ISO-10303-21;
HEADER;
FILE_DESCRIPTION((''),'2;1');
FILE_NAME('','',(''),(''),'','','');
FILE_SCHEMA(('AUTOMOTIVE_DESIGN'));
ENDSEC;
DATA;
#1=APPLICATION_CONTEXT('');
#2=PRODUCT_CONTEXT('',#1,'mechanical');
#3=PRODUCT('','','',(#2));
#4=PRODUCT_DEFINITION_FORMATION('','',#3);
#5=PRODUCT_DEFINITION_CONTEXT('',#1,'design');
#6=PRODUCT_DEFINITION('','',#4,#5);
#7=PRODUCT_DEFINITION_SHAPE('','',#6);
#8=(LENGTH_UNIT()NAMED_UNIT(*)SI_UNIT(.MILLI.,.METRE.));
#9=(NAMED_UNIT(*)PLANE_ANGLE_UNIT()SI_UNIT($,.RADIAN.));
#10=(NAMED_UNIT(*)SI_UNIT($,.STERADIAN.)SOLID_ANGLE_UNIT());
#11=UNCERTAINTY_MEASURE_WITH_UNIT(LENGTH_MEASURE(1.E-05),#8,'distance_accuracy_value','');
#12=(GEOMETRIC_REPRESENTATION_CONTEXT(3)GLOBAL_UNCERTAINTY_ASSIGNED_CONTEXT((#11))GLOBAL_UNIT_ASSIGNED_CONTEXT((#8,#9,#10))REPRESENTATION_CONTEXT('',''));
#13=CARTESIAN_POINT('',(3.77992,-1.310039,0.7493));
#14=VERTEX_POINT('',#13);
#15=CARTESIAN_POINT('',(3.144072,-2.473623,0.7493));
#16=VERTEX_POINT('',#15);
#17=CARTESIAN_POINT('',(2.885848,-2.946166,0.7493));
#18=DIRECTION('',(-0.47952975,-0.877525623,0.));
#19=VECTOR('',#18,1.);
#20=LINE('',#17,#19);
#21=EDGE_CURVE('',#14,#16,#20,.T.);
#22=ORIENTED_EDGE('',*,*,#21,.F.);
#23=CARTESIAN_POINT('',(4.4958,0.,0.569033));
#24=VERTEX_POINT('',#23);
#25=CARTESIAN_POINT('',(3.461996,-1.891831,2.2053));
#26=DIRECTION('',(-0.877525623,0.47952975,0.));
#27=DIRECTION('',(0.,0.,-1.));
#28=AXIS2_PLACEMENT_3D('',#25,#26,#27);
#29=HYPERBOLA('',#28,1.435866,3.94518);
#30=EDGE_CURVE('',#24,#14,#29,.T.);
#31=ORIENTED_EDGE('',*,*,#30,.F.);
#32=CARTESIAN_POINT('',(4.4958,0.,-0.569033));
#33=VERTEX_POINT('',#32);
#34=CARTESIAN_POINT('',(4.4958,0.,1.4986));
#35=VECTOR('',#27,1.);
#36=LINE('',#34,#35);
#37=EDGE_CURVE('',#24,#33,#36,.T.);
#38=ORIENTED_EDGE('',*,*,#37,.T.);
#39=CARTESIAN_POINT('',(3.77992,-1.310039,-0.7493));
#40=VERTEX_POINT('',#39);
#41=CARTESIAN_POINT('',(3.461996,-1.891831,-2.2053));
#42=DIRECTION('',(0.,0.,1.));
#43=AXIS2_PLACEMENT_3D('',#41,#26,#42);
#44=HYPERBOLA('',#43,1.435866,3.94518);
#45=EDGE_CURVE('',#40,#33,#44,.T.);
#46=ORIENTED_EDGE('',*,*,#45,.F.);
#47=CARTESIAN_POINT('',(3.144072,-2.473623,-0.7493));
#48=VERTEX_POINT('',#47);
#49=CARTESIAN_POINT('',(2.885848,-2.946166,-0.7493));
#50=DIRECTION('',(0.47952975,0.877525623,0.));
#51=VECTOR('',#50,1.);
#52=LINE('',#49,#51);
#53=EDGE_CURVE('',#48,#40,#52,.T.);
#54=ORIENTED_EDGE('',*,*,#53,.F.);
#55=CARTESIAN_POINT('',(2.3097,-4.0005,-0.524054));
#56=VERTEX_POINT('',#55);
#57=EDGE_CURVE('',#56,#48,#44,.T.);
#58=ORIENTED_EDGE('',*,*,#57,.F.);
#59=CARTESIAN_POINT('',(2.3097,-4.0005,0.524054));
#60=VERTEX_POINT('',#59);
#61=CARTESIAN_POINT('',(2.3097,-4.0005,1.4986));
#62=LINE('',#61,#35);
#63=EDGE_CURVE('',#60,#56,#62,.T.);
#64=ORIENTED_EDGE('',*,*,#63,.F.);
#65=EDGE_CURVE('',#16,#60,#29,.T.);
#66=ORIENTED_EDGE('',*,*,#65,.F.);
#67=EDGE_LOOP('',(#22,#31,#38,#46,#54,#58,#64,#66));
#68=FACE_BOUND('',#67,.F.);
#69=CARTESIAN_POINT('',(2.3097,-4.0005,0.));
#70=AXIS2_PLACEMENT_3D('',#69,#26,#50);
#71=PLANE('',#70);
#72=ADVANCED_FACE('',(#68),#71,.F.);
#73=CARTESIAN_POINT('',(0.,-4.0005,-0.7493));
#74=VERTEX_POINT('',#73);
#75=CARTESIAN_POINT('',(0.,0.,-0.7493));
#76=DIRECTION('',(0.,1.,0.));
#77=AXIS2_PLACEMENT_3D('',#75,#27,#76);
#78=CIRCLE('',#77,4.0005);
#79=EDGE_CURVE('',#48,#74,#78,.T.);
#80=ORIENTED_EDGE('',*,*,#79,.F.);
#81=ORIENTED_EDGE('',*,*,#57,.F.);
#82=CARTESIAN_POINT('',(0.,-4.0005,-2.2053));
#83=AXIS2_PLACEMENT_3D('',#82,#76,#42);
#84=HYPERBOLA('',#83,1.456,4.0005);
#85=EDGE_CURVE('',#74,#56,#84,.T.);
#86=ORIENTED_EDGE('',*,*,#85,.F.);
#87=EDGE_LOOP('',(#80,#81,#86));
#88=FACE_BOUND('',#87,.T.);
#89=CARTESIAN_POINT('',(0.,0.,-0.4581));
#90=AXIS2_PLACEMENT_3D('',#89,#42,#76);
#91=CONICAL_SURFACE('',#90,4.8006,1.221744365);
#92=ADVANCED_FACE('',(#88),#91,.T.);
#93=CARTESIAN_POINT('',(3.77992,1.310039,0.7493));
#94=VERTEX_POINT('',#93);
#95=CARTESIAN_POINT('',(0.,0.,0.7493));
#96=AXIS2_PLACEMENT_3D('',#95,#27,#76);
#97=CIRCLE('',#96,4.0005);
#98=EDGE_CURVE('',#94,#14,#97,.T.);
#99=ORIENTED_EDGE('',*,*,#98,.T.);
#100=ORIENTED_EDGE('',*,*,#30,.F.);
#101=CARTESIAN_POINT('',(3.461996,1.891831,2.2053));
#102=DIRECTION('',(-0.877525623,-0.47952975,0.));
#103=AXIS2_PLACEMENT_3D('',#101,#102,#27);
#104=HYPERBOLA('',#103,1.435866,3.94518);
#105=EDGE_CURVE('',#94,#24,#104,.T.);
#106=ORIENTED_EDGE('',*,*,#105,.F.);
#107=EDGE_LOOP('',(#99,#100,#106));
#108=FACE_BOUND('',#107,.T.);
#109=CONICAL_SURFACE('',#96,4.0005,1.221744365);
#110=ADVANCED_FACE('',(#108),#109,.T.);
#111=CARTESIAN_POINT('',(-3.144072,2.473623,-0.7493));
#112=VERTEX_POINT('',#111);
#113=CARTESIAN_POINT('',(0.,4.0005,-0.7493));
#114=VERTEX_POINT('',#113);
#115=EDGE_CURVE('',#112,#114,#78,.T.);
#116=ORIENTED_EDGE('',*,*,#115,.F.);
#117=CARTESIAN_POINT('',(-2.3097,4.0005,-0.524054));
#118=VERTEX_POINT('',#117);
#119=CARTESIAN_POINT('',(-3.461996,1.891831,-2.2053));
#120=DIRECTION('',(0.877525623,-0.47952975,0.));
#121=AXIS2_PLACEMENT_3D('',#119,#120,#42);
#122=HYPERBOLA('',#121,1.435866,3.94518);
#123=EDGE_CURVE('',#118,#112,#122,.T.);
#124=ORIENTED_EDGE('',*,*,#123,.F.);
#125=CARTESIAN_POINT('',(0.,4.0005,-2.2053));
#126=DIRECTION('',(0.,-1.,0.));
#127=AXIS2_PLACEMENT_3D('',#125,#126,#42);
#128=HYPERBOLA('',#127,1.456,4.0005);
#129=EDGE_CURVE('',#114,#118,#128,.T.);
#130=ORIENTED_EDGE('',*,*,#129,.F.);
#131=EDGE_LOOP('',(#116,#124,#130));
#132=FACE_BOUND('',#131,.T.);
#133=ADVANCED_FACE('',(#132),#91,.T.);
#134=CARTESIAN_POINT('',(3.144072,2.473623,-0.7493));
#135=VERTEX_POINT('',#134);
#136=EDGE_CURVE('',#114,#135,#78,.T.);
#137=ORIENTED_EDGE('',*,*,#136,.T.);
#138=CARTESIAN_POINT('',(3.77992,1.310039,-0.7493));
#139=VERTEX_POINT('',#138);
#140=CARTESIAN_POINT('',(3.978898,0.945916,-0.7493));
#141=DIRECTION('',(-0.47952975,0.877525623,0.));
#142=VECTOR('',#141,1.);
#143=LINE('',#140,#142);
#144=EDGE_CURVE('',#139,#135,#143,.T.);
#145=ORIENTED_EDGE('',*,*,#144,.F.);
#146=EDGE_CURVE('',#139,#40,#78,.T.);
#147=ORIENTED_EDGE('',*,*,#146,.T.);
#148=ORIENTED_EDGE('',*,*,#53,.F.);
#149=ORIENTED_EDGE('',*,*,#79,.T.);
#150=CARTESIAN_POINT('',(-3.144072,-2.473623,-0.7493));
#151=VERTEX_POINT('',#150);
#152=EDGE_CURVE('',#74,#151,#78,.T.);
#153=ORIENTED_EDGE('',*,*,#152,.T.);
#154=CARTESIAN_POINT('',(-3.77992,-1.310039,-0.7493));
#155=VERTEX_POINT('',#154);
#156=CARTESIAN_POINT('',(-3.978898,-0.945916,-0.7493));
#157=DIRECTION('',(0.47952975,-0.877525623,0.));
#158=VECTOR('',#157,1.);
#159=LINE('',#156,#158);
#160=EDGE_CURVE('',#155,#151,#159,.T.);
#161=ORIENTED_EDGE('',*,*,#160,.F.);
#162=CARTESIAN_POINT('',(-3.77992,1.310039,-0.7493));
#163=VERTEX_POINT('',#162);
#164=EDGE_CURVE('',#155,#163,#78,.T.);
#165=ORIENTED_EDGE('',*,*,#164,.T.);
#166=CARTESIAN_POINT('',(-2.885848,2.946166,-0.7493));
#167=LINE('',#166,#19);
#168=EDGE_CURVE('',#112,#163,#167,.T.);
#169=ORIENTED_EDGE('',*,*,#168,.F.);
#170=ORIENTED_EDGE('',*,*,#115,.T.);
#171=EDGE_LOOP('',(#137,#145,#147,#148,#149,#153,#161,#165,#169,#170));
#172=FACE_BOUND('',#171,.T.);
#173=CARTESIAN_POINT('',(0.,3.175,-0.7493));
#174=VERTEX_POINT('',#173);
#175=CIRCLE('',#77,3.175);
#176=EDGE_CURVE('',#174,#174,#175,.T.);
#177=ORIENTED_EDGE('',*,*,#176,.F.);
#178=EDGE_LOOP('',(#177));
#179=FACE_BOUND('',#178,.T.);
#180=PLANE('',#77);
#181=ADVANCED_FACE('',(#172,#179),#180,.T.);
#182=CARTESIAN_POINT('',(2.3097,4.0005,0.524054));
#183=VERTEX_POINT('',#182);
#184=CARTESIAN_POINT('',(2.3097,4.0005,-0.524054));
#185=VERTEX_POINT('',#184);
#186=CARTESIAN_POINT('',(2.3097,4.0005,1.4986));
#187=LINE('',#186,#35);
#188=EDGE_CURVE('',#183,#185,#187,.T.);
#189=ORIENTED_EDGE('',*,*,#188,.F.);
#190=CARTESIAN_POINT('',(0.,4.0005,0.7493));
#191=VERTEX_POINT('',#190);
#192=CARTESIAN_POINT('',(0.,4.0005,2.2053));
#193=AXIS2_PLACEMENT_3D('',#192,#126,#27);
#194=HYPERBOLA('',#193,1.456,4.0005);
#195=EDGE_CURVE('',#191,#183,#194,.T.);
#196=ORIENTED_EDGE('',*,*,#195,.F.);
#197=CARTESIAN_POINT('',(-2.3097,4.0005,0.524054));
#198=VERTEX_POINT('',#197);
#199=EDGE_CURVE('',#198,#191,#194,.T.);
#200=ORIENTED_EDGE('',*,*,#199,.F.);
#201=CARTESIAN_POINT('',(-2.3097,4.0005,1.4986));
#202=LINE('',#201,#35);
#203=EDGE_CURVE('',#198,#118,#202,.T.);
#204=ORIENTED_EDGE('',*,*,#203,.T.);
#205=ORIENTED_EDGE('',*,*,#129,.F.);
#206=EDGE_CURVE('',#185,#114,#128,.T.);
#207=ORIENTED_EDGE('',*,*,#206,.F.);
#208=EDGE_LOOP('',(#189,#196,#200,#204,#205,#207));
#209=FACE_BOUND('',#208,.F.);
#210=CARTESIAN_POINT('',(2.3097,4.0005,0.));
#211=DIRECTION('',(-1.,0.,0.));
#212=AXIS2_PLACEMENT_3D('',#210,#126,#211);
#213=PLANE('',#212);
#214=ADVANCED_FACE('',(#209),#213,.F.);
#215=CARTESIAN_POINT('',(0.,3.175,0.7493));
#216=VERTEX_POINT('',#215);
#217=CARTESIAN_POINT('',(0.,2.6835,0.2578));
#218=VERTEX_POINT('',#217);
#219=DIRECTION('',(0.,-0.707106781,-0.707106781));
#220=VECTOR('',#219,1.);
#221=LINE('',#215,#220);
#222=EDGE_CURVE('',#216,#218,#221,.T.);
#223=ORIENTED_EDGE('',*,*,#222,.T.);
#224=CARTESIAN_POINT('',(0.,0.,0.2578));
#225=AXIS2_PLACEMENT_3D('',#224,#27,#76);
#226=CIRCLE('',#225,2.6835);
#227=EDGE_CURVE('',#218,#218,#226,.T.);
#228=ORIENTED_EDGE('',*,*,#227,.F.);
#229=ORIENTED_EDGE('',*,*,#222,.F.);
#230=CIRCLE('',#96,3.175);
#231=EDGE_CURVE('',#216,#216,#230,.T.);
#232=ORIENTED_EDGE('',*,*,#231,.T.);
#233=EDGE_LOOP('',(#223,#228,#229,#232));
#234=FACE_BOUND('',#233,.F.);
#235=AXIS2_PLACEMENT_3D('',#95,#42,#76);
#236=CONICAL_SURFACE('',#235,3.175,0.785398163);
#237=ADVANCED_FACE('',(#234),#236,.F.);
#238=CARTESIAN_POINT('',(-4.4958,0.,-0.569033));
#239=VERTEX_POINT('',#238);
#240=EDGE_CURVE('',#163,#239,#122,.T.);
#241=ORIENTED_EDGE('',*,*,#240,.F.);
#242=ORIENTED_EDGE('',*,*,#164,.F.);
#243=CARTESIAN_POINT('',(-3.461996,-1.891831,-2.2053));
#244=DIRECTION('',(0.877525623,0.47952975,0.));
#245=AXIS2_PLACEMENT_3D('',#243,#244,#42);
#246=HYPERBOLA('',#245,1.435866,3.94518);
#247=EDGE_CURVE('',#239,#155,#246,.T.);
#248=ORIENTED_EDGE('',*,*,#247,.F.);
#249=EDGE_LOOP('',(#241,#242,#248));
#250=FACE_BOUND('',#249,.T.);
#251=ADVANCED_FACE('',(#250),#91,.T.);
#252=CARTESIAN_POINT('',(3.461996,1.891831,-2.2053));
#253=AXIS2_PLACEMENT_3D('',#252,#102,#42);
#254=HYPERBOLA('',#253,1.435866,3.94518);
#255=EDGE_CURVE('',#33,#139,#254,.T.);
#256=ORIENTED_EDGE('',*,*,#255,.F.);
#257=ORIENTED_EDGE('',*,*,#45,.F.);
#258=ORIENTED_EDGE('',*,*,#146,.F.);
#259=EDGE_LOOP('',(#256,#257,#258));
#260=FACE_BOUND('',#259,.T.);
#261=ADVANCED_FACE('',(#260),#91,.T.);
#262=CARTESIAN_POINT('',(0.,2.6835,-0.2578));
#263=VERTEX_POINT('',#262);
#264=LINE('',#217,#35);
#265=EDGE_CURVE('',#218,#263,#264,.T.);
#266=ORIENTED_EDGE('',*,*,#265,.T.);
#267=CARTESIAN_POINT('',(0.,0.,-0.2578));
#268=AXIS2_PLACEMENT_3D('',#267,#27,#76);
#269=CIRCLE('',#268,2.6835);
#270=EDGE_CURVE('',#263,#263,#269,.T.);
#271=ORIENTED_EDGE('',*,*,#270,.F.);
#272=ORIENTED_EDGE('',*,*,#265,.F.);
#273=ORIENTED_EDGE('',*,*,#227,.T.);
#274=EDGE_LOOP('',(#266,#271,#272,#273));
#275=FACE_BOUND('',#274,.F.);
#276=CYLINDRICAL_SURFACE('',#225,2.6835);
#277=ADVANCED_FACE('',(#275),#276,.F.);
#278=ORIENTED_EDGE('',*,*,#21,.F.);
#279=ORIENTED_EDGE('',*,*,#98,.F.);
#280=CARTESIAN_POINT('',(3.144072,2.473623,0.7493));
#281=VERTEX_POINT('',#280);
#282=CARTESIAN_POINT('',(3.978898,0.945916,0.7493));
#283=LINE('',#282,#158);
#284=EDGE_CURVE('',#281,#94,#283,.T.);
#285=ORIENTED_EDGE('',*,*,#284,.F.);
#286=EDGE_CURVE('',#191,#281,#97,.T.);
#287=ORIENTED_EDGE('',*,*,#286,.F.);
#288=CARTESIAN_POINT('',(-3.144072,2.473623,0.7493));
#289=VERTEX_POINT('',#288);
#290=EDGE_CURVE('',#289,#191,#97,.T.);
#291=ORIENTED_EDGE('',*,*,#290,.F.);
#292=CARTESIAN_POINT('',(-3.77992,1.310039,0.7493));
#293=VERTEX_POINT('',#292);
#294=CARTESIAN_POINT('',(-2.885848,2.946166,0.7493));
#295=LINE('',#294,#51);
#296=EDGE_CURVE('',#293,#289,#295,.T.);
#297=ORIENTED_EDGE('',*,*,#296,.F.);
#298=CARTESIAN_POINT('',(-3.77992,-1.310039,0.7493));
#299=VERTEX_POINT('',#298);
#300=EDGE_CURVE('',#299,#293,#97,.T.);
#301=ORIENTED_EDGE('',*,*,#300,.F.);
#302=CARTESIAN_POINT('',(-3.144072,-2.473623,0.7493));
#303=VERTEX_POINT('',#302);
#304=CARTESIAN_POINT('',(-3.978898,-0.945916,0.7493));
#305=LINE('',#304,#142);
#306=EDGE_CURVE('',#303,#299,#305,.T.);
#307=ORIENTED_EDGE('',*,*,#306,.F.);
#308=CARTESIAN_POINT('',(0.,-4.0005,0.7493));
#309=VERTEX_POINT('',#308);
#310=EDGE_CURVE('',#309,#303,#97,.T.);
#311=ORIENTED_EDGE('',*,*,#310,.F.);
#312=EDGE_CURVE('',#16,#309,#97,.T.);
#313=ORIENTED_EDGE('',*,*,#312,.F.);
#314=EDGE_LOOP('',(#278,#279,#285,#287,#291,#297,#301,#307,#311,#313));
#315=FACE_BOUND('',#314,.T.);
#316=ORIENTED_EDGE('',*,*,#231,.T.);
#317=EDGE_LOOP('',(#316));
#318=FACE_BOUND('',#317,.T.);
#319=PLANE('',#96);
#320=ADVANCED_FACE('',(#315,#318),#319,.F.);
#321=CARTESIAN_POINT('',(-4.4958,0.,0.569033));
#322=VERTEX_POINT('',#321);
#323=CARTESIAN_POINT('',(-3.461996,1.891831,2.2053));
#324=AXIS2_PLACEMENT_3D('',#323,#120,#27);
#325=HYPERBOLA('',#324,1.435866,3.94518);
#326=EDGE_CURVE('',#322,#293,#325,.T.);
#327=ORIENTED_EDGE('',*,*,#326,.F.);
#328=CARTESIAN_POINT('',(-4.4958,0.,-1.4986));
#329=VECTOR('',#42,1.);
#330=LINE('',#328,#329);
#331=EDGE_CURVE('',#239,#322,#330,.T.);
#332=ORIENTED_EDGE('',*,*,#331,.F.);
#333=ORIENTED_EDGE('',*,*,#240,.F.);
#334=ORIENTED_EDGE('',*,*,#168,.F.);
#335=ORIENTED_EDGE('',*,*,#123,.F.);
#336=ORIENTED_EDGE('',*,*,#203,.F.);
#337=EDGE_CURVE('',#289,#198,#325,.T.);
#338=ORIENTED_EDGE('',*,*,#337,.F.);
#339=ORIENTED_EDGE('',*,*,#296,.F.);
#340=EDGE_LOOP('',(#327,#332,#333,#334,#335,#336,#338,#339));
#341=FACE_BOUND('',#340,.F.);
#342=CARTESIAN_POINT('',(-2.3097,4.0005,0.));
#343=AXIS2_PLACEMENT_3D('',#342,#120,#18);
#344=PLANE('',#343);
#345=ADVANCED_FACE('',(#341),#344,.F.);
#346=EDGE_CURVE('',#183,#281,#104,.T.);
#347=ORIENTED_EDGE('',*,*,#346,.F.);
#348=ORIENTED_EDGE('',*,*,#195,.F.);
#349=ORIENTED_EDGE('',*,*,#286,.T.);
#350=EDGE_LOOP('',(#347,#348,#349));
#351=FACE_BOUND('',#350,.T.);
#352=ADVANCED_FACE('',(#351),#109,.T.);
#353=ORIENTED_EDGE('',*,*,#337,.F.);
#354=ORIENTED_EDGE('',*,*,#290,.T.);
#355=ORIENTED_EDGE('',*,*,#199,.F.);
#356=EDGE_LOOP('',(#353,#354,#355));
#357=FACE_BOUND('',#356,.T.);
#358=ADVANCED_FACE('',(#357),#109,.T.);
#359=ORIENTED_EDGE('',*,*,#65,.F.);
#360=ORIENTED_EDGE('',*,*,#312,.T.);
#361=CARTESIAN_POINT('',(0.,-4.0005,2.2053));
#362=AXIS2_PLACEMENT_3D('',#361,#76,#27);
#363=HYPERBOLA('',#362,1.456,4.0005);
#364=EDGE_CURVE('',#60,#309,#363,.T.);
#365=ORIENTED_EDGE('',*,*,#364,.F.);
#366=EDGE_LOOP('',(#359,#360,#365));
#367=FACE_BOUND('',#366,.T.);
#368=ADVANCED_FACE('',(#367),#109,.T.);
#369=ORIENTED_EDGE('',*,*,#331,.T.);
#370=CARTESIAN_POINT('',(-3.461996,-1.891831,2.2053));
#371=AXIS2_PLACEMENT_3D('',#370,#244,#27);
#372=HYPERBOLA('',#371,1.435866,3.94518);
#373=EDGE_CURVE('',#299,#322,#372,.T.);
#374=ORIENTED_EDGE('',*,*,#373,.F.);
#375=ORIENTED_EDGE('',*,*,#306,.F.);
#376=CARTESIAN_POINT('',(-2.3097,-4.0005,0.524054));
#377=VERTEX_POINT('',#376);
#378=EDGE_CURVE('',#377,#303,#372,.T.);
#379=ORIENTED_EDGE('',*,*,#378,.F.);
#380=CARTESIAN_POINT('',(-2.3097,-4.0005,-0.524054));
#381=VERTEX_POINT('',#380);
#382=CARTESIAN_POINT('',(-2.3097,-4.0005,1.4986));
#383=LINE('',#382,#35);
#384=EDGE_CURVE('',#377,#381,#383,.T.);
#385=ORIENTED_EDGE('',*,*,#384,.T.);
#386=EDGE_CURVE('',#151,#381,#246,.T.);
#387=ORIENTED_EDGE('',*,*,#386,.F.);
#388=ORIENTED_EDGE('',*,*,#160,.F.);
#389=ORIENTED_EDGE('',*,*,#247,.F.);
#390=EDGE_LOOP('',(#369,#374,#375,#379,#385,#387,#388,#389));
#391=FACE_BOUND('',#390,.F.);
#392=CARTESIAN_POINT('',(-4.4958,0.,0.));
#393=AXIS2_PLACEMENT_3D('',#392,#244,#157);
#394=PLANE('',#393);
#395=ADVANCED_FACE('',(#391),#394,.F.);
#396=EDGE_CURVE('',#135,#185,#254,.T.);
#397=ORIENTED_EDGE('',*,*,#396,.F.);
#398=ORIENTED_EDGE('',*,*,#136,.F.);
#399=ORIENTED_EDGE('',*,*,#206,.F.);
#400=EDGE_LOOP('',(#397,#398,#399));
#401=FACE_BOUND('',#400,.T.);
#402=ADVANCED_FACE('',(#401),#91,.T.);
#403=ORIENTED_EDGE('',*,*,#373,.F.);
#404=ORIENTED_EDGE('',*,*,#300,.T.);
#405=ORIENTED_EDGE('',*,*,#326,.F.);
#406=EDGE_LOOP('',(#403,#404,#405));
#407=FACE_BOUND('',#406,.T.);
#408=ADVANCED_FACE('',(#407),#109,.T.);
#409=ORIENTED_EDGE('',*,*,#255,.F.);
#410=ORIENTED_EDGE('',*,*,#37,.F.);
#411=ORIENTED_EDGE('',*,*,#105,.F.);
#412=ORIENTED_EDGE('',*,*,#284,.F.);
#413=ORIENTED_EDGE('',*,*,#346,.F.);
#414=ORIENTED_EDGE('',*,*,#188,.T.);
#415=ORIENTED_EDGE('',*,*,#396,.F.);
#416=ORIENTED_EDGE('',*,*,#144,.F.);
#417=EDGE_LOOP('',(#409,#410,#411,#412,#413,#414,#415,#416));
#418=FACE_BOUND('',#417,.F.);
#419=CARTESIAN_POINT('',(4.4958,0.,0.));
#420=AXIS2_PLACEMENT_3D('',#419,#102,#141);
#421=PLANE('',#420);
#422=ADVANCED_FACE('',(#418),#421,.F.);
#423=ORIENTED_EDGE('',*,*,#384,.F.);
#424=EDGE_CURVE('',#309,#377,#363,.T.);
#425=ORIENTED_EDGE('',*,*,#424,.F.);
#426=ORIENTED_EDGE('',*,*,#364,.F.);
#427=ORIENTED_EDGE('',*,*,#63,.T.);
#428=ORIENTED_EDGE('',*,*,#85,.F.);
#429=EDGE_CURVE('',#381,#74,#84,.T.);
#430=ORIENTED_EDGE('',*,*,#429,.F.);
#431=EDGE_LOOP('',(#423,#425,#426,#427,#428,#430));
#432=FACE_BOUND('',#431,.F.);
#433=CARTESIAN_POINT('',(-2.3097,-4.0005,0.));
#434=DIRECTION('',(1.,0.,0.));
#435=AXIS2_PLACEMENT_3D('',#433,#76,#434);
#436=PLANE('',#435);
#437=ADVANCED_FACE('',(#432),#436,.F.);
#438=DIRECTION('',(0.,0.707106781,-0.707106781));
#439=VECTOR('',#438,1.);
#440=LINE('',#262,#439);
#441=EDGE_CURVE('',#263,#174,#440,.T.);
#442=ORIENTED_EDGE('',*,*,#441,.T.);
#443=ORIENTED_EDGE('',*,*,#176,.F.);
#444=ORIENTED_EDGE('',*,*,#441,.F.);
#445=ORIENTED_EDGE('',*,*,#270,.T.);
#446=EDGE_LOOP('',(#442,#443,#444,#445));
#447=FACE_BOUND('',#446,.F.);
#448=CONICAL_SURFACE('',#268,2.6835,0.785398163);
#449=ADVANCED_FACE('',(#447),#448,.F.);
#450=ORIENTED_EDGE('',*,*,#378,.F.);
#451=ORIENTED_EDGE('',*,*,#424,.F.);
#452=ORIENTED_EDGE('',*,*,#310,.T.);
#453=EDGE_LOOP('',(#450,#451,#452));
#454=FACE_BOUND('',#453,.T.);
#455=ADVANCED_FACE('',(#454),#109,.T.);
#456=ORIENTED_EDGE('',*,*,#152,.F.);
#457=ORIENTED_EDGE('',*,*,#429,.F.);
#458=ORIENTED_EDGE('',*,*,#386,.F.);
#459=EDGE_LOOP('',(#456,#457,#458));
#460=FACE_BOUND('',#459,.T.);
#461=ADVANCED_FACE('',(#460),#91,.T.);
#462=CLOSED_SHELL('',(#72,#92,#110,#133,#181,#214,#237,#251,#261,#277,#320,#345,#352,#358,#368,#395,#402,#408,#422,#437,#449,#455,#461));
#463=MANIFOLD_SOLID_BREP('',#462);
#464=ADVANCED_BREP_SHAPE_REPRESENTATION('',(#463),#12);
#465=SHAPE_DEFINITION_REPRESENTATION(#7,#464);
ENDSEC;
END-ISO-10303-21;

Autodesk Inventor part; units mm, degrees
sketch "Sketch_1" plane through (0, 0, 0) normal (1, 0, 0) x (0, 1, 0)
  line L0 (0, -0.7493) -> (0, 0.7493)
  line L1 (0, 0.7493) -> (4.0005, 0.7493)
  line L2 (4.0005, 0.7493) -> (4.8006, 0.4581)
  line L3 (4.8006, 0.4581) -> (4.8006, -0.4581)
  line L4 (4.8006, -0.4581) -> (4.0005, -0.7493)
  line L5 (4.0005, -0.7493) -> (0, -0.7493)
  line L6 (0, -0.7493) -> (0, 0.7493)
revolve "Revolution1" add sketch "Sketch_1" angle 360 about axis through (0, 0, -0.7493) along (0, 0, -1)
sketch "Sketch_2" plane through (0, 0, 0) normal (0, 0, 1) x (1, 0, 0)
  line L0 (-8.001, -8.001) -> (8.001, -8.001)
  line L1 (8.001, -8.001) -> (8.001, 8.001)
  line L2 (8.001, 8.001) -> (-8.001, 8.001)
  line L3 (-8.001, 8.001) -> (-8.001, -8.001)
  line L4 (-4.4958, 0) -> (-2.3097, -4.0005)
  line L5 (-2.3097, -4.0005) -> (2.3097, -4.0005)
  line L6 (2.3097, -4.0005) -> (4.4958, 0)
  line L7 (4.4958, 0) -> (2.3097, 4.0005)
  line L8 (2.3097, 4.0005) -> (-2.3097, 4.0005)
  line L9 (-2.3097, 4.0005) -> (-4.4958, 0)
extrude "Extrusion1" cut sketch "Sketch_2" along normal mid plane 2.9972
sketch "Sketch_6" plane through (0, 0, 0) normal (1, 0, 0) x (0, 1, 0)
  line L0 (0, -0.7493) -> (0, 0.7493)
  line L1 (0, 0.7493) -> (3.175, 0.7493)
  line L2 (3.175, 0.7493) -> (2.6835, 0.2578)
  line L3 (2.6835, 0.2578) -> (2.6835, -0.2578)
  line L4 (2.6835, -0.2578) -> (3.175, -0.7493)
  line L5 (3.175, -0.7493) -> (0, -0.7493)
  line L6 (0, -0.7493) -> (0, 0.7493)
revolve "Revolution2" cut sketch "Sketch_6" angle 360 about axis through (0, 0, -0.7493) along (0, 0, -1)
thread "Thread1" size "1/4-28 UNF" class "2B" standard "ANSI Unified Screw Threads" full length
ref_plane "nut_XY" through (0, 0, 0.7493) normal (0, 0, 1) x (1, 0, 0)
ref_plane "nut_YZ" through (0, 0, 0.7493) normal (1, 0, 0) x (0, 1, 0)
ref_plane "nut_ZX" through (0, 0, 0.7493) normal (0, 1, 0) x (0, 0, 1)
properties part number "AT513H"
